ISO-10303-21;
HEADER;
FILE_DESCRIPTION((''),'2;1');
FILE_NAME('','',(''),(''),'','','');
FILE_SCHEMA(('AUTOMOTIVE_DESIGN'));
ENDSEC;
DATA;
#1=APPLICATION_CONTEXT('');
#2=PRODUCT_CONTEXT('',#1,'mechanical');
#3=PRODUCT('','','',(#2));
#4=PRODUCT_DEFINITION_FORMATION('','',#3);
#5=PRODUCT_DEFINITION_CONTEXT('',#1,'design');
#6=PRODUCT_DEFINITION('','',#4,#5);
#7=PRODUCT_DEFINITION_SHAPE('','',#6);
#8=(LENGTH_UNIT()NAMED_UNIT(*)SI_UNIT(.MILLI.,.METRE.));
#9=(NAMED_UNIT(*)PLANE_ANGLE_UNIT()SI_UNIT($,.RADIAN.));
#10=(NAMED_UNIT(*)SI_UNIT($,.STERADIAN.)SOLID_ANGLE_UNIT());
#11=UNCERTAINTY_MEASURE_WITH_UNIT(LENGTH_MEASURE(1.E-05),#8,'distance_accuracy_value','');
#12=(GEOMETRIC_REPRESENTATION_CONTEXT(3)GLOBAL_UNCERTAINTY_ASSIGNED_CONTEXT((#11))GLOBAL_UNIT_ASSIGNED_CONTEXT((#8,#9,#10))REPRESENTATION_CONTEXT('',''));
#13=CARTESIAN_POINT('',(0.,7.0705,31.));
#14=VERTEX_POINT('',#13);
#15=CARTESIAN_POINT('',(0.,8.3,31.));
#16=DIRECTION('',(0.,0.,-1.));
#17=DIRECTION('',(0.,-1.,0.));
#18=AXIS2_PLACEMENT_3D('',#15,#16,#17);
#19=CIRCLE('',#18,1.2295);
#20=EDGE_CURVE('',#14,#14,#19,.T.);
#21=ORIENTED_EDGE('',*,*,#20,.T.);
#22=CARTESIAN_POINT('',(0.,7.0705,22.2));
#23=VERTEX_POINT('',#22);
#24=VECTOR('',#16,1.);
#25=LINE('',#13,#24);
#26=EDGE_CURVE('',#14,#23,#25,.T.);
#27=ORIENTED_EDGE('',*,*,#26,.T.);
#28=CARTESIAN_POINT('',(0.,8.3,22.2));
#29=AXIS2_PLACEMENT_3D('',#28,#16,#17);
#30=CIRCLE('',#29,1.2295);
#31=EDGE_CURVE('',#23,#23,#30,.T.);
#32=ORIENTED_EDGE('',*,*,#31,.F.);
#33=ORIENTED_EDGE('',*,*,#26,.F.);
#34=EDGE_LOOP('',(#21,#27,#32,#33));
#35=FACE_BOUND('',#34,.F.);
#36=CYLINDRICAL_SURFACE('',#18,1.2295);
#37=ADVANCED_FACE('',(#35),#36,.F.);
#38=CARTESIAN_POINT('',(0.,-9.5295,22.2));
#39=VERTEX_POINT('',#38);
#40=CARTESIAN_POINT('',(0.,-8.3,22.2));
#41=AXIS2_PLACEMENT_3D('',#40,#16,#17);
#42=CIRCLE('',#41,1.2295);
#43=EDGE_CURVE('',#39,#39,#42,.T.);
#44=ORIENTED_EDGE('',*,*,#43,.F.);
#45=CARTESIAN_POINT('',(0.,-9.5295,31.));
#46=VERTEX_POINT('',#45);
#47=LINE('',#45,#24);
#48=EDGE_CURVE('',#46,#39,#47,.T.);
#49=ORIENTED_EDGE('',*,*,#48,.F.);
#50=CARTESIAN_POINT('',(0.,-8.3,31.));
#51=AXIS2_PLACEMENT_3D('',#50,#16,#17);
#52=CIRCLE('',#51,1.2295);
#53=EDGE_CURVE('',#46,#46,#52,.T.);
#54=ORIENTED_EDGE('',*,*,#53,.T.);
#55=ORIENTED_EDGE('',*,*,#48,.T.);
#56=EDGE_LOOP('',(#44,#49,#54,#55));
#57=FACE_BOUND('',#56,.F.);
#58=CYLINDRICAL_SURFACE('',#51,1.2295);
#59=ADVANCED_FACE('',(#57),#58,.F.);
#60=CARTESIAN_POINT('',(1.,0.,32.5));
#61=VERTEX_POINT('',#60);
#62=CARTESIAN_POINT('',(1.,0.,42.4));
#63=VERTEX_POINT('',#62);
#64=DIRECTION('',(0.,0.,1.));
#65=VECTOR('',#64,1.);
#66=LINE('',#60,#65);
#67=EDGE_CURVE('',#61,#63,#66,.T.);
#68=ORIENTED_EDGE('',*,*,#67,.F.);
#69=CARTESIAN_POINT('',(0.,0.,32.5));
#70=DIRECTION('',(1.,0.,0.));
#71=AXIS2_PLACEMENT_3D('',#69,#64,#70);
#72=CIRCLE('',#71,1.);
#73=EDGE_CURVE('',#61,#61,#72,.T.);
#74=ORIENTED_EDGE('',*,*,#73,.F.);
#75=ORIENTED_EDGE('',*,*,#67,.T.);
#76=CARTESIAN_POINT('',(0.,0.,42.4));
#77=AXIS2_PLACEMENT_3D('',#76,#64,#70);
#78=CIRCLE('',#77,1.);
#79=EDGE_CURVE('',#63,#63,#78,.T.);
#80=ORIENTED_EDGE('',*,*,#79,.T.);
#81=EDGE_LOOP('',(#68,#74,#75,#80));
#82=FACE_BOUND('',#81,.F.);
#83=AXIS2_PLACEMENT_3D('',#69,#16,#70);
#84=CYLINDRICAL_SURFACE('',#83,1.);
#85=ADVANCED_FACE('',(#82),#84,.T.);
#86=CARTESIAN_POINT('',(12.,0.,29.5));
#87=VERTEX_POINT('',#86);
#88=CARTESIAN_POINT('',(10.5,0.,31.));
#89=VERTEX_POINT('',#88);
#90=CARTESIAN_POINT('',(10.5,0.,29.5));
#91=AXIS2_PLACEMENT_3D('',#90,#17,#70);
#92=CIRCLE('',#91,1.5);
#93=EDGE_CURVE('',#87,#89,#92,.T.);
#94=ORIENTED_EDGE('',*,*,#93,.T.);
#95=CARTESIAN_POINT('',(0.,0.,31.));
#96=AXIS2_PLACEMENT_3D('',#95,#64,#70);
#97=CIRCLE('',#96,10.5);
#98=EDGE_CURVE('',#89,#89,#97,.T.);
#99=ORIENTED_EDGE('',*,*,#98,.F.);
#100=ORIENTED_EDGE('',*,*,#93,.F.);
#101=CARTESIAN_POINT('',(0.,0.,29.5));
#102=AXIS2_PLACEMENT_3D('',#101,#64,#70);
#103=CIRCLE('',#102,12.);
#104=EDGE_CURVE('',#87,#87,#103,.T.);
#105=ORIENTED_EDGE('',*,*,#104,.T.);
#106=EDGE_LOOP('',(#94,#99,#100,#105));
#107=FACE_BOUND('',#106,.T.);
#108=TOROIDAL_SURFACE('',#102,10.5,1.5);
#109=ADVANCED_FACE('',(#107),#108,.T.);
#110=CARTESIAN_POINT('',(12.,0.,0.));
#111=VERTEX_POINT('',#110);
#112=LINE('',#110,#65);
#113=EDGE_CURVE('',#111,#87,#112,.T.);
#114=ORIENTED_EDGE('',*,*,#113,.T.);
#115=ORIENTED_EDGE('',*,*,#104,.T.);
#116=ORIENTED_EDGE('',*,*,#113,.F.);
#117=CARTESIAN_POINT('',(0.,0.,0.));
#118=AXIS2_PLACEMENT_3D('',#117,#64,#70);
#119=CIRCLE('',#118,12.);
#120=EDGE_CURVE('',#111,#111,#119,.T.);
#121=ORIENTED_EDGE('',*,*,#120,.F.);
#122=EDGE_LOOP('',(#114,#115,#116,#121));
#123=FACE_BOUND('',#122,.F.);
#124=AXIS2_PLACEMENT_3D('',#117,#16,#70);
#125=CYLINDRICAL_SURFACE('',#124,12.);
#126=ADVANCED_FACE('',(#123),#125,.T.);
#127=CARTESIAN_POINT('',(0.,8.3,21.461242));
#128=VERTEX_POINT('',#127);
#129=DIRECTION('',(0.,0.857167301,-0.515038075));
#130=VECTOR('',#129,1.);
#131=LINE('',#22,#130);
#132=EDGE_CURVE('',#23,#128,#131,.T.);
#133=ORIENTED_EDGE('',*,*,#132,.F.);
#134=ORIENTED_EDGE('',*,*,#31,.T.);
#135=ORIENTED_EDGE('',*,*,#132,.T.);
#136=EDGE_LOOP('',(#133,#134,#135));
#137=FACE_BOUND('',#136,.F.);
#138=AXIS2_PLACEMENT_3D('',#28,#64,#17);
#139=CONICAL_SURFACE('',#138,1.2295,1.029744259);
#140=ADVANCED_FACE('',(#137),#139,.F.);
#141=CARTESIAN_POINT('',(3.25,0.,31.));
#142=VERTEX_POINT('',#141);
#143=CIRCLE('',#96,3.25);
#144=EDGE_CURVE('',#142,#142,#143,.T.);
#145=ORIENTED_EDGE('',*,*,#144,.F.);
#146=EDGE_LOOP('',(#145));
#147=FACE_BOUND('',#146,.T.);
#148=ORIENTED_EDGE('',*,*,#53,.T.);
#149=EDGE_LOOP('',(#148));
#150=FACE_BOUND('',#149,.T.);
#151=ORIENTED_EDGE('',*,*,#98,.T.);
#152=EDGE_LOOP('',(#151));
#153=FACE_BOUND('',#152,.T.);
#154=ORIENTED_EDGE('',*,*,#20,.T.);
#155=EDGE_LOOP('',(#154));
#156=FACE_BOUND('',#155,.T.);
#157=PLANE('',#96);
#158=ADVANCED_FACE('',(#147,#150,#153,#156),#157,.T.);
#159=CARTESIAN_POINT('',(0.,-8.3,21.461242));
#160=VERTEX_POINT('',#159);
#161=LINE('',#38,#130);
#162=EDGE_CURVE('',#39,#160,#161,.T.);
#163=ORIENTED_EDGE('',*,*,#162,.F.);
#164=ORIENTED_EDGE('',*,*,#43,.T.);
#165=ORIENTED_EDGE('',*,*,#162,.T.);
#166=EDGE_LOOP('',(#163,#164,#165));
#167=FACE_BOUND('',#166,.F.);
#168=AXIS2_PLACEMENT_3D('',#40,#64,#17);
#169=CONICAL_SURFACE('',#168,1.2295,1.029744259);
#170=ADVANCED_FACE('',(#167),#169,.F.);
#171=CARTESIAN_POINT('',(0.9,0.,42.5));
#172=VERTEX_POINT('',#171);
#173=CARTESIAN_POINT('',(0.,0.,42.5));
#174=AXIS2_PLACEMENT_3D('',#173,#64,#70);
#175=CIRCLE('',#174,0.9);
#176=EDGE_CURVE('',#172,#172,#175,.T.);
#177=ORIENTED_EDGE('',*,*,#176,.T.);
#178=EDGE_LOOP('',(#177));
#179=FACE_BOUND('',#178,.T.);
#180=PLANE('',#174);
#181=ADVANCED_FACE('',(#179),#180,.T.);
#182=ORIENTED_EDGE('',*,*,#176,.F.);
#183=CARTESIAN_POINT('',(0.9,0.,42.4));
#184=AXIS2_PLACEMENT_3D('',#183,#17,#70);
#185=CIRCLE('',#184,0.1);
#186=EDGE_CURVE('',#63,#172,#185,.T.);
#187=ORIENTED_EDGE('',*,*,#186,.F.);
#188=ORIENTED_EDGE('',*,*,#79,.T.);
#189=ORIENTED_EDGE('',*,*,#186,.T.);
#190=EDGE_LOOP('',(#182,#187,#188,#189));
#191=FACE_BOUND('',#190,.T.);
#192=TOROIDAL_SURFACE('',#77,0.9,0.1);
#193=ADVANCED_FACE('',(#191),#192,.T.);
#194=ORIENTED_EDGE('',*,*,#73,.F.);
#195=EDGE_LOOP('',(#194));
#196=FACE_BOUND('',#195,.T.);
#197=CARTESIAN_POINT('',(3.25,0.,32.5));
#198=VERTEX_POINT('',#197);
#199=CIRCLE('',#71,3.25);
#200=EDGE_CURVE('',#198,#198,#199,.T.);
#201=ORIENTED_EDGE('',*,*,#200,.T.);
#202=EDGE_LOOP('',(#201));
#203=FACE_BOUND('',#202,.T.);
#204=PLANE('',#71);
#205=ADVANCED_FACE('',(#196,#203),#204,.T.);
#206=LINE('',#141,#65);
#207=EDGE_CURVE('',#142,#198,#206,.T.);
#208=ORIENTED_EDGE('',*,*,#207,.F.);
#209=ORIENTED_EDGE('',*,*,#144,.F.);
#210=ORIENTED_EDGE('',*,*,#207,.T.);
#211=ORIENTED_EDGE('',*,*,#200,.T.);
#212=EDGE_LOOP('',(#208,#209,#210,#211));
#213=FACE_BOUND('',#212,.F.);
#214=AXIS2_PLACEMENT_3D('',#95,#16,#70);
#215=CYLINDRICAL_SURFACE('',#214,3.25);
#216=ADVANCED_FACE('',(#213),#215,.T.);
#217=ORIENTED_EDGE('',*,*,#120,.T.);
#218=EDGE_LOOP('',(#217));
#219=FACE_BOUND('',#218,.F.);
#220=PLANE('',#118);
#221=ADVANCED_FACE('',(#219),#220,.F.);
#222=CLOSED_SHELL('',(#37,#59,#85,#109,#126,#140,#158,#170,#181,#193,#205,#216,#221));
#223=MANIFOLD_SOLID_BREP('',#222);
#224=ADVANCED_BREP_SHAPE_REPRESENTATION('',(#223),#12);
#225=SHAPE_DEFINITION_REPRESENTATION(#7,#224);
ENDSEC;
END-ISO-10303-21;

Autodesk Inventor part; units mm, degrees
ref_plane "YZ Plane" through (0, 0, 0) normal (1, 0, 0) x (0, 1, 0)
ref_plane "XZ Plane" through (0, 0, 0) normal (0, 1, 0) x (-1, 0, 0)
ref_plane "XY Plane" through (0, 0, 0) normal (0, 0, 1) x (1, 0, 0)
sketch "スケッチ1" plane through (0, 0, 0) normal (0, 0, 1) x (1, 0, 0)
  circle A0 centre (0, 0) radius 12
  dimension "d0" = 24
extrude "押し出し1" add sketch "スケッチ1" along normal blind 31
sketch "スケッチ2" plane through (0, 0, 31) normal (0, 0, 1) x (1, 0, 0)
  circle A0 centre (0, 0) radius 9.8 construction
  line L0 (0, -16.8) -> (0, 16.8) construction
  circle A1 centre (0, 8.3) radius 1.5
  circle A2 centre (0, -8.3) radius 1.5
  circle A3 centre (0, 0) radius 3.25
  dimension "d3" = 19.6
  dimension "d4" = 3
  dimension "d5" = 3
  dimension "d6" = 6.5
extrude "押し出し2" add sketch "スケッチ2" along normal blind 1.5 contours A3
hole "穴1" at (0, 8.3, 31) at (0, -8.3, 31) direction (0, 0, -1) diameter 2.459 depth 8.8 tip angle 118 thread size "M3x0.5" class "6H" standard "ANSI Metric M Profile"
fillet "フィレット1" radius 1.5 1 edges at (-12, 0, 31)
sketch "スケッチ3" plane through (0, 0, 32.5) normal (0, 0, 1) x (1, 0, 0)
  circle A0 centre (0, 0) radius 3.25 projected
  circle A1 centre (0, 0) radius 1
  dimension "d17" = 2
extrude "押し出し3" add sketch "スケッチ3" along normal blind 10 contours A1
fillet "フィレット2" radius 0.1 1 edges at (-1, 0, 42.5)
properties part number "tamiya_sporttuned"
